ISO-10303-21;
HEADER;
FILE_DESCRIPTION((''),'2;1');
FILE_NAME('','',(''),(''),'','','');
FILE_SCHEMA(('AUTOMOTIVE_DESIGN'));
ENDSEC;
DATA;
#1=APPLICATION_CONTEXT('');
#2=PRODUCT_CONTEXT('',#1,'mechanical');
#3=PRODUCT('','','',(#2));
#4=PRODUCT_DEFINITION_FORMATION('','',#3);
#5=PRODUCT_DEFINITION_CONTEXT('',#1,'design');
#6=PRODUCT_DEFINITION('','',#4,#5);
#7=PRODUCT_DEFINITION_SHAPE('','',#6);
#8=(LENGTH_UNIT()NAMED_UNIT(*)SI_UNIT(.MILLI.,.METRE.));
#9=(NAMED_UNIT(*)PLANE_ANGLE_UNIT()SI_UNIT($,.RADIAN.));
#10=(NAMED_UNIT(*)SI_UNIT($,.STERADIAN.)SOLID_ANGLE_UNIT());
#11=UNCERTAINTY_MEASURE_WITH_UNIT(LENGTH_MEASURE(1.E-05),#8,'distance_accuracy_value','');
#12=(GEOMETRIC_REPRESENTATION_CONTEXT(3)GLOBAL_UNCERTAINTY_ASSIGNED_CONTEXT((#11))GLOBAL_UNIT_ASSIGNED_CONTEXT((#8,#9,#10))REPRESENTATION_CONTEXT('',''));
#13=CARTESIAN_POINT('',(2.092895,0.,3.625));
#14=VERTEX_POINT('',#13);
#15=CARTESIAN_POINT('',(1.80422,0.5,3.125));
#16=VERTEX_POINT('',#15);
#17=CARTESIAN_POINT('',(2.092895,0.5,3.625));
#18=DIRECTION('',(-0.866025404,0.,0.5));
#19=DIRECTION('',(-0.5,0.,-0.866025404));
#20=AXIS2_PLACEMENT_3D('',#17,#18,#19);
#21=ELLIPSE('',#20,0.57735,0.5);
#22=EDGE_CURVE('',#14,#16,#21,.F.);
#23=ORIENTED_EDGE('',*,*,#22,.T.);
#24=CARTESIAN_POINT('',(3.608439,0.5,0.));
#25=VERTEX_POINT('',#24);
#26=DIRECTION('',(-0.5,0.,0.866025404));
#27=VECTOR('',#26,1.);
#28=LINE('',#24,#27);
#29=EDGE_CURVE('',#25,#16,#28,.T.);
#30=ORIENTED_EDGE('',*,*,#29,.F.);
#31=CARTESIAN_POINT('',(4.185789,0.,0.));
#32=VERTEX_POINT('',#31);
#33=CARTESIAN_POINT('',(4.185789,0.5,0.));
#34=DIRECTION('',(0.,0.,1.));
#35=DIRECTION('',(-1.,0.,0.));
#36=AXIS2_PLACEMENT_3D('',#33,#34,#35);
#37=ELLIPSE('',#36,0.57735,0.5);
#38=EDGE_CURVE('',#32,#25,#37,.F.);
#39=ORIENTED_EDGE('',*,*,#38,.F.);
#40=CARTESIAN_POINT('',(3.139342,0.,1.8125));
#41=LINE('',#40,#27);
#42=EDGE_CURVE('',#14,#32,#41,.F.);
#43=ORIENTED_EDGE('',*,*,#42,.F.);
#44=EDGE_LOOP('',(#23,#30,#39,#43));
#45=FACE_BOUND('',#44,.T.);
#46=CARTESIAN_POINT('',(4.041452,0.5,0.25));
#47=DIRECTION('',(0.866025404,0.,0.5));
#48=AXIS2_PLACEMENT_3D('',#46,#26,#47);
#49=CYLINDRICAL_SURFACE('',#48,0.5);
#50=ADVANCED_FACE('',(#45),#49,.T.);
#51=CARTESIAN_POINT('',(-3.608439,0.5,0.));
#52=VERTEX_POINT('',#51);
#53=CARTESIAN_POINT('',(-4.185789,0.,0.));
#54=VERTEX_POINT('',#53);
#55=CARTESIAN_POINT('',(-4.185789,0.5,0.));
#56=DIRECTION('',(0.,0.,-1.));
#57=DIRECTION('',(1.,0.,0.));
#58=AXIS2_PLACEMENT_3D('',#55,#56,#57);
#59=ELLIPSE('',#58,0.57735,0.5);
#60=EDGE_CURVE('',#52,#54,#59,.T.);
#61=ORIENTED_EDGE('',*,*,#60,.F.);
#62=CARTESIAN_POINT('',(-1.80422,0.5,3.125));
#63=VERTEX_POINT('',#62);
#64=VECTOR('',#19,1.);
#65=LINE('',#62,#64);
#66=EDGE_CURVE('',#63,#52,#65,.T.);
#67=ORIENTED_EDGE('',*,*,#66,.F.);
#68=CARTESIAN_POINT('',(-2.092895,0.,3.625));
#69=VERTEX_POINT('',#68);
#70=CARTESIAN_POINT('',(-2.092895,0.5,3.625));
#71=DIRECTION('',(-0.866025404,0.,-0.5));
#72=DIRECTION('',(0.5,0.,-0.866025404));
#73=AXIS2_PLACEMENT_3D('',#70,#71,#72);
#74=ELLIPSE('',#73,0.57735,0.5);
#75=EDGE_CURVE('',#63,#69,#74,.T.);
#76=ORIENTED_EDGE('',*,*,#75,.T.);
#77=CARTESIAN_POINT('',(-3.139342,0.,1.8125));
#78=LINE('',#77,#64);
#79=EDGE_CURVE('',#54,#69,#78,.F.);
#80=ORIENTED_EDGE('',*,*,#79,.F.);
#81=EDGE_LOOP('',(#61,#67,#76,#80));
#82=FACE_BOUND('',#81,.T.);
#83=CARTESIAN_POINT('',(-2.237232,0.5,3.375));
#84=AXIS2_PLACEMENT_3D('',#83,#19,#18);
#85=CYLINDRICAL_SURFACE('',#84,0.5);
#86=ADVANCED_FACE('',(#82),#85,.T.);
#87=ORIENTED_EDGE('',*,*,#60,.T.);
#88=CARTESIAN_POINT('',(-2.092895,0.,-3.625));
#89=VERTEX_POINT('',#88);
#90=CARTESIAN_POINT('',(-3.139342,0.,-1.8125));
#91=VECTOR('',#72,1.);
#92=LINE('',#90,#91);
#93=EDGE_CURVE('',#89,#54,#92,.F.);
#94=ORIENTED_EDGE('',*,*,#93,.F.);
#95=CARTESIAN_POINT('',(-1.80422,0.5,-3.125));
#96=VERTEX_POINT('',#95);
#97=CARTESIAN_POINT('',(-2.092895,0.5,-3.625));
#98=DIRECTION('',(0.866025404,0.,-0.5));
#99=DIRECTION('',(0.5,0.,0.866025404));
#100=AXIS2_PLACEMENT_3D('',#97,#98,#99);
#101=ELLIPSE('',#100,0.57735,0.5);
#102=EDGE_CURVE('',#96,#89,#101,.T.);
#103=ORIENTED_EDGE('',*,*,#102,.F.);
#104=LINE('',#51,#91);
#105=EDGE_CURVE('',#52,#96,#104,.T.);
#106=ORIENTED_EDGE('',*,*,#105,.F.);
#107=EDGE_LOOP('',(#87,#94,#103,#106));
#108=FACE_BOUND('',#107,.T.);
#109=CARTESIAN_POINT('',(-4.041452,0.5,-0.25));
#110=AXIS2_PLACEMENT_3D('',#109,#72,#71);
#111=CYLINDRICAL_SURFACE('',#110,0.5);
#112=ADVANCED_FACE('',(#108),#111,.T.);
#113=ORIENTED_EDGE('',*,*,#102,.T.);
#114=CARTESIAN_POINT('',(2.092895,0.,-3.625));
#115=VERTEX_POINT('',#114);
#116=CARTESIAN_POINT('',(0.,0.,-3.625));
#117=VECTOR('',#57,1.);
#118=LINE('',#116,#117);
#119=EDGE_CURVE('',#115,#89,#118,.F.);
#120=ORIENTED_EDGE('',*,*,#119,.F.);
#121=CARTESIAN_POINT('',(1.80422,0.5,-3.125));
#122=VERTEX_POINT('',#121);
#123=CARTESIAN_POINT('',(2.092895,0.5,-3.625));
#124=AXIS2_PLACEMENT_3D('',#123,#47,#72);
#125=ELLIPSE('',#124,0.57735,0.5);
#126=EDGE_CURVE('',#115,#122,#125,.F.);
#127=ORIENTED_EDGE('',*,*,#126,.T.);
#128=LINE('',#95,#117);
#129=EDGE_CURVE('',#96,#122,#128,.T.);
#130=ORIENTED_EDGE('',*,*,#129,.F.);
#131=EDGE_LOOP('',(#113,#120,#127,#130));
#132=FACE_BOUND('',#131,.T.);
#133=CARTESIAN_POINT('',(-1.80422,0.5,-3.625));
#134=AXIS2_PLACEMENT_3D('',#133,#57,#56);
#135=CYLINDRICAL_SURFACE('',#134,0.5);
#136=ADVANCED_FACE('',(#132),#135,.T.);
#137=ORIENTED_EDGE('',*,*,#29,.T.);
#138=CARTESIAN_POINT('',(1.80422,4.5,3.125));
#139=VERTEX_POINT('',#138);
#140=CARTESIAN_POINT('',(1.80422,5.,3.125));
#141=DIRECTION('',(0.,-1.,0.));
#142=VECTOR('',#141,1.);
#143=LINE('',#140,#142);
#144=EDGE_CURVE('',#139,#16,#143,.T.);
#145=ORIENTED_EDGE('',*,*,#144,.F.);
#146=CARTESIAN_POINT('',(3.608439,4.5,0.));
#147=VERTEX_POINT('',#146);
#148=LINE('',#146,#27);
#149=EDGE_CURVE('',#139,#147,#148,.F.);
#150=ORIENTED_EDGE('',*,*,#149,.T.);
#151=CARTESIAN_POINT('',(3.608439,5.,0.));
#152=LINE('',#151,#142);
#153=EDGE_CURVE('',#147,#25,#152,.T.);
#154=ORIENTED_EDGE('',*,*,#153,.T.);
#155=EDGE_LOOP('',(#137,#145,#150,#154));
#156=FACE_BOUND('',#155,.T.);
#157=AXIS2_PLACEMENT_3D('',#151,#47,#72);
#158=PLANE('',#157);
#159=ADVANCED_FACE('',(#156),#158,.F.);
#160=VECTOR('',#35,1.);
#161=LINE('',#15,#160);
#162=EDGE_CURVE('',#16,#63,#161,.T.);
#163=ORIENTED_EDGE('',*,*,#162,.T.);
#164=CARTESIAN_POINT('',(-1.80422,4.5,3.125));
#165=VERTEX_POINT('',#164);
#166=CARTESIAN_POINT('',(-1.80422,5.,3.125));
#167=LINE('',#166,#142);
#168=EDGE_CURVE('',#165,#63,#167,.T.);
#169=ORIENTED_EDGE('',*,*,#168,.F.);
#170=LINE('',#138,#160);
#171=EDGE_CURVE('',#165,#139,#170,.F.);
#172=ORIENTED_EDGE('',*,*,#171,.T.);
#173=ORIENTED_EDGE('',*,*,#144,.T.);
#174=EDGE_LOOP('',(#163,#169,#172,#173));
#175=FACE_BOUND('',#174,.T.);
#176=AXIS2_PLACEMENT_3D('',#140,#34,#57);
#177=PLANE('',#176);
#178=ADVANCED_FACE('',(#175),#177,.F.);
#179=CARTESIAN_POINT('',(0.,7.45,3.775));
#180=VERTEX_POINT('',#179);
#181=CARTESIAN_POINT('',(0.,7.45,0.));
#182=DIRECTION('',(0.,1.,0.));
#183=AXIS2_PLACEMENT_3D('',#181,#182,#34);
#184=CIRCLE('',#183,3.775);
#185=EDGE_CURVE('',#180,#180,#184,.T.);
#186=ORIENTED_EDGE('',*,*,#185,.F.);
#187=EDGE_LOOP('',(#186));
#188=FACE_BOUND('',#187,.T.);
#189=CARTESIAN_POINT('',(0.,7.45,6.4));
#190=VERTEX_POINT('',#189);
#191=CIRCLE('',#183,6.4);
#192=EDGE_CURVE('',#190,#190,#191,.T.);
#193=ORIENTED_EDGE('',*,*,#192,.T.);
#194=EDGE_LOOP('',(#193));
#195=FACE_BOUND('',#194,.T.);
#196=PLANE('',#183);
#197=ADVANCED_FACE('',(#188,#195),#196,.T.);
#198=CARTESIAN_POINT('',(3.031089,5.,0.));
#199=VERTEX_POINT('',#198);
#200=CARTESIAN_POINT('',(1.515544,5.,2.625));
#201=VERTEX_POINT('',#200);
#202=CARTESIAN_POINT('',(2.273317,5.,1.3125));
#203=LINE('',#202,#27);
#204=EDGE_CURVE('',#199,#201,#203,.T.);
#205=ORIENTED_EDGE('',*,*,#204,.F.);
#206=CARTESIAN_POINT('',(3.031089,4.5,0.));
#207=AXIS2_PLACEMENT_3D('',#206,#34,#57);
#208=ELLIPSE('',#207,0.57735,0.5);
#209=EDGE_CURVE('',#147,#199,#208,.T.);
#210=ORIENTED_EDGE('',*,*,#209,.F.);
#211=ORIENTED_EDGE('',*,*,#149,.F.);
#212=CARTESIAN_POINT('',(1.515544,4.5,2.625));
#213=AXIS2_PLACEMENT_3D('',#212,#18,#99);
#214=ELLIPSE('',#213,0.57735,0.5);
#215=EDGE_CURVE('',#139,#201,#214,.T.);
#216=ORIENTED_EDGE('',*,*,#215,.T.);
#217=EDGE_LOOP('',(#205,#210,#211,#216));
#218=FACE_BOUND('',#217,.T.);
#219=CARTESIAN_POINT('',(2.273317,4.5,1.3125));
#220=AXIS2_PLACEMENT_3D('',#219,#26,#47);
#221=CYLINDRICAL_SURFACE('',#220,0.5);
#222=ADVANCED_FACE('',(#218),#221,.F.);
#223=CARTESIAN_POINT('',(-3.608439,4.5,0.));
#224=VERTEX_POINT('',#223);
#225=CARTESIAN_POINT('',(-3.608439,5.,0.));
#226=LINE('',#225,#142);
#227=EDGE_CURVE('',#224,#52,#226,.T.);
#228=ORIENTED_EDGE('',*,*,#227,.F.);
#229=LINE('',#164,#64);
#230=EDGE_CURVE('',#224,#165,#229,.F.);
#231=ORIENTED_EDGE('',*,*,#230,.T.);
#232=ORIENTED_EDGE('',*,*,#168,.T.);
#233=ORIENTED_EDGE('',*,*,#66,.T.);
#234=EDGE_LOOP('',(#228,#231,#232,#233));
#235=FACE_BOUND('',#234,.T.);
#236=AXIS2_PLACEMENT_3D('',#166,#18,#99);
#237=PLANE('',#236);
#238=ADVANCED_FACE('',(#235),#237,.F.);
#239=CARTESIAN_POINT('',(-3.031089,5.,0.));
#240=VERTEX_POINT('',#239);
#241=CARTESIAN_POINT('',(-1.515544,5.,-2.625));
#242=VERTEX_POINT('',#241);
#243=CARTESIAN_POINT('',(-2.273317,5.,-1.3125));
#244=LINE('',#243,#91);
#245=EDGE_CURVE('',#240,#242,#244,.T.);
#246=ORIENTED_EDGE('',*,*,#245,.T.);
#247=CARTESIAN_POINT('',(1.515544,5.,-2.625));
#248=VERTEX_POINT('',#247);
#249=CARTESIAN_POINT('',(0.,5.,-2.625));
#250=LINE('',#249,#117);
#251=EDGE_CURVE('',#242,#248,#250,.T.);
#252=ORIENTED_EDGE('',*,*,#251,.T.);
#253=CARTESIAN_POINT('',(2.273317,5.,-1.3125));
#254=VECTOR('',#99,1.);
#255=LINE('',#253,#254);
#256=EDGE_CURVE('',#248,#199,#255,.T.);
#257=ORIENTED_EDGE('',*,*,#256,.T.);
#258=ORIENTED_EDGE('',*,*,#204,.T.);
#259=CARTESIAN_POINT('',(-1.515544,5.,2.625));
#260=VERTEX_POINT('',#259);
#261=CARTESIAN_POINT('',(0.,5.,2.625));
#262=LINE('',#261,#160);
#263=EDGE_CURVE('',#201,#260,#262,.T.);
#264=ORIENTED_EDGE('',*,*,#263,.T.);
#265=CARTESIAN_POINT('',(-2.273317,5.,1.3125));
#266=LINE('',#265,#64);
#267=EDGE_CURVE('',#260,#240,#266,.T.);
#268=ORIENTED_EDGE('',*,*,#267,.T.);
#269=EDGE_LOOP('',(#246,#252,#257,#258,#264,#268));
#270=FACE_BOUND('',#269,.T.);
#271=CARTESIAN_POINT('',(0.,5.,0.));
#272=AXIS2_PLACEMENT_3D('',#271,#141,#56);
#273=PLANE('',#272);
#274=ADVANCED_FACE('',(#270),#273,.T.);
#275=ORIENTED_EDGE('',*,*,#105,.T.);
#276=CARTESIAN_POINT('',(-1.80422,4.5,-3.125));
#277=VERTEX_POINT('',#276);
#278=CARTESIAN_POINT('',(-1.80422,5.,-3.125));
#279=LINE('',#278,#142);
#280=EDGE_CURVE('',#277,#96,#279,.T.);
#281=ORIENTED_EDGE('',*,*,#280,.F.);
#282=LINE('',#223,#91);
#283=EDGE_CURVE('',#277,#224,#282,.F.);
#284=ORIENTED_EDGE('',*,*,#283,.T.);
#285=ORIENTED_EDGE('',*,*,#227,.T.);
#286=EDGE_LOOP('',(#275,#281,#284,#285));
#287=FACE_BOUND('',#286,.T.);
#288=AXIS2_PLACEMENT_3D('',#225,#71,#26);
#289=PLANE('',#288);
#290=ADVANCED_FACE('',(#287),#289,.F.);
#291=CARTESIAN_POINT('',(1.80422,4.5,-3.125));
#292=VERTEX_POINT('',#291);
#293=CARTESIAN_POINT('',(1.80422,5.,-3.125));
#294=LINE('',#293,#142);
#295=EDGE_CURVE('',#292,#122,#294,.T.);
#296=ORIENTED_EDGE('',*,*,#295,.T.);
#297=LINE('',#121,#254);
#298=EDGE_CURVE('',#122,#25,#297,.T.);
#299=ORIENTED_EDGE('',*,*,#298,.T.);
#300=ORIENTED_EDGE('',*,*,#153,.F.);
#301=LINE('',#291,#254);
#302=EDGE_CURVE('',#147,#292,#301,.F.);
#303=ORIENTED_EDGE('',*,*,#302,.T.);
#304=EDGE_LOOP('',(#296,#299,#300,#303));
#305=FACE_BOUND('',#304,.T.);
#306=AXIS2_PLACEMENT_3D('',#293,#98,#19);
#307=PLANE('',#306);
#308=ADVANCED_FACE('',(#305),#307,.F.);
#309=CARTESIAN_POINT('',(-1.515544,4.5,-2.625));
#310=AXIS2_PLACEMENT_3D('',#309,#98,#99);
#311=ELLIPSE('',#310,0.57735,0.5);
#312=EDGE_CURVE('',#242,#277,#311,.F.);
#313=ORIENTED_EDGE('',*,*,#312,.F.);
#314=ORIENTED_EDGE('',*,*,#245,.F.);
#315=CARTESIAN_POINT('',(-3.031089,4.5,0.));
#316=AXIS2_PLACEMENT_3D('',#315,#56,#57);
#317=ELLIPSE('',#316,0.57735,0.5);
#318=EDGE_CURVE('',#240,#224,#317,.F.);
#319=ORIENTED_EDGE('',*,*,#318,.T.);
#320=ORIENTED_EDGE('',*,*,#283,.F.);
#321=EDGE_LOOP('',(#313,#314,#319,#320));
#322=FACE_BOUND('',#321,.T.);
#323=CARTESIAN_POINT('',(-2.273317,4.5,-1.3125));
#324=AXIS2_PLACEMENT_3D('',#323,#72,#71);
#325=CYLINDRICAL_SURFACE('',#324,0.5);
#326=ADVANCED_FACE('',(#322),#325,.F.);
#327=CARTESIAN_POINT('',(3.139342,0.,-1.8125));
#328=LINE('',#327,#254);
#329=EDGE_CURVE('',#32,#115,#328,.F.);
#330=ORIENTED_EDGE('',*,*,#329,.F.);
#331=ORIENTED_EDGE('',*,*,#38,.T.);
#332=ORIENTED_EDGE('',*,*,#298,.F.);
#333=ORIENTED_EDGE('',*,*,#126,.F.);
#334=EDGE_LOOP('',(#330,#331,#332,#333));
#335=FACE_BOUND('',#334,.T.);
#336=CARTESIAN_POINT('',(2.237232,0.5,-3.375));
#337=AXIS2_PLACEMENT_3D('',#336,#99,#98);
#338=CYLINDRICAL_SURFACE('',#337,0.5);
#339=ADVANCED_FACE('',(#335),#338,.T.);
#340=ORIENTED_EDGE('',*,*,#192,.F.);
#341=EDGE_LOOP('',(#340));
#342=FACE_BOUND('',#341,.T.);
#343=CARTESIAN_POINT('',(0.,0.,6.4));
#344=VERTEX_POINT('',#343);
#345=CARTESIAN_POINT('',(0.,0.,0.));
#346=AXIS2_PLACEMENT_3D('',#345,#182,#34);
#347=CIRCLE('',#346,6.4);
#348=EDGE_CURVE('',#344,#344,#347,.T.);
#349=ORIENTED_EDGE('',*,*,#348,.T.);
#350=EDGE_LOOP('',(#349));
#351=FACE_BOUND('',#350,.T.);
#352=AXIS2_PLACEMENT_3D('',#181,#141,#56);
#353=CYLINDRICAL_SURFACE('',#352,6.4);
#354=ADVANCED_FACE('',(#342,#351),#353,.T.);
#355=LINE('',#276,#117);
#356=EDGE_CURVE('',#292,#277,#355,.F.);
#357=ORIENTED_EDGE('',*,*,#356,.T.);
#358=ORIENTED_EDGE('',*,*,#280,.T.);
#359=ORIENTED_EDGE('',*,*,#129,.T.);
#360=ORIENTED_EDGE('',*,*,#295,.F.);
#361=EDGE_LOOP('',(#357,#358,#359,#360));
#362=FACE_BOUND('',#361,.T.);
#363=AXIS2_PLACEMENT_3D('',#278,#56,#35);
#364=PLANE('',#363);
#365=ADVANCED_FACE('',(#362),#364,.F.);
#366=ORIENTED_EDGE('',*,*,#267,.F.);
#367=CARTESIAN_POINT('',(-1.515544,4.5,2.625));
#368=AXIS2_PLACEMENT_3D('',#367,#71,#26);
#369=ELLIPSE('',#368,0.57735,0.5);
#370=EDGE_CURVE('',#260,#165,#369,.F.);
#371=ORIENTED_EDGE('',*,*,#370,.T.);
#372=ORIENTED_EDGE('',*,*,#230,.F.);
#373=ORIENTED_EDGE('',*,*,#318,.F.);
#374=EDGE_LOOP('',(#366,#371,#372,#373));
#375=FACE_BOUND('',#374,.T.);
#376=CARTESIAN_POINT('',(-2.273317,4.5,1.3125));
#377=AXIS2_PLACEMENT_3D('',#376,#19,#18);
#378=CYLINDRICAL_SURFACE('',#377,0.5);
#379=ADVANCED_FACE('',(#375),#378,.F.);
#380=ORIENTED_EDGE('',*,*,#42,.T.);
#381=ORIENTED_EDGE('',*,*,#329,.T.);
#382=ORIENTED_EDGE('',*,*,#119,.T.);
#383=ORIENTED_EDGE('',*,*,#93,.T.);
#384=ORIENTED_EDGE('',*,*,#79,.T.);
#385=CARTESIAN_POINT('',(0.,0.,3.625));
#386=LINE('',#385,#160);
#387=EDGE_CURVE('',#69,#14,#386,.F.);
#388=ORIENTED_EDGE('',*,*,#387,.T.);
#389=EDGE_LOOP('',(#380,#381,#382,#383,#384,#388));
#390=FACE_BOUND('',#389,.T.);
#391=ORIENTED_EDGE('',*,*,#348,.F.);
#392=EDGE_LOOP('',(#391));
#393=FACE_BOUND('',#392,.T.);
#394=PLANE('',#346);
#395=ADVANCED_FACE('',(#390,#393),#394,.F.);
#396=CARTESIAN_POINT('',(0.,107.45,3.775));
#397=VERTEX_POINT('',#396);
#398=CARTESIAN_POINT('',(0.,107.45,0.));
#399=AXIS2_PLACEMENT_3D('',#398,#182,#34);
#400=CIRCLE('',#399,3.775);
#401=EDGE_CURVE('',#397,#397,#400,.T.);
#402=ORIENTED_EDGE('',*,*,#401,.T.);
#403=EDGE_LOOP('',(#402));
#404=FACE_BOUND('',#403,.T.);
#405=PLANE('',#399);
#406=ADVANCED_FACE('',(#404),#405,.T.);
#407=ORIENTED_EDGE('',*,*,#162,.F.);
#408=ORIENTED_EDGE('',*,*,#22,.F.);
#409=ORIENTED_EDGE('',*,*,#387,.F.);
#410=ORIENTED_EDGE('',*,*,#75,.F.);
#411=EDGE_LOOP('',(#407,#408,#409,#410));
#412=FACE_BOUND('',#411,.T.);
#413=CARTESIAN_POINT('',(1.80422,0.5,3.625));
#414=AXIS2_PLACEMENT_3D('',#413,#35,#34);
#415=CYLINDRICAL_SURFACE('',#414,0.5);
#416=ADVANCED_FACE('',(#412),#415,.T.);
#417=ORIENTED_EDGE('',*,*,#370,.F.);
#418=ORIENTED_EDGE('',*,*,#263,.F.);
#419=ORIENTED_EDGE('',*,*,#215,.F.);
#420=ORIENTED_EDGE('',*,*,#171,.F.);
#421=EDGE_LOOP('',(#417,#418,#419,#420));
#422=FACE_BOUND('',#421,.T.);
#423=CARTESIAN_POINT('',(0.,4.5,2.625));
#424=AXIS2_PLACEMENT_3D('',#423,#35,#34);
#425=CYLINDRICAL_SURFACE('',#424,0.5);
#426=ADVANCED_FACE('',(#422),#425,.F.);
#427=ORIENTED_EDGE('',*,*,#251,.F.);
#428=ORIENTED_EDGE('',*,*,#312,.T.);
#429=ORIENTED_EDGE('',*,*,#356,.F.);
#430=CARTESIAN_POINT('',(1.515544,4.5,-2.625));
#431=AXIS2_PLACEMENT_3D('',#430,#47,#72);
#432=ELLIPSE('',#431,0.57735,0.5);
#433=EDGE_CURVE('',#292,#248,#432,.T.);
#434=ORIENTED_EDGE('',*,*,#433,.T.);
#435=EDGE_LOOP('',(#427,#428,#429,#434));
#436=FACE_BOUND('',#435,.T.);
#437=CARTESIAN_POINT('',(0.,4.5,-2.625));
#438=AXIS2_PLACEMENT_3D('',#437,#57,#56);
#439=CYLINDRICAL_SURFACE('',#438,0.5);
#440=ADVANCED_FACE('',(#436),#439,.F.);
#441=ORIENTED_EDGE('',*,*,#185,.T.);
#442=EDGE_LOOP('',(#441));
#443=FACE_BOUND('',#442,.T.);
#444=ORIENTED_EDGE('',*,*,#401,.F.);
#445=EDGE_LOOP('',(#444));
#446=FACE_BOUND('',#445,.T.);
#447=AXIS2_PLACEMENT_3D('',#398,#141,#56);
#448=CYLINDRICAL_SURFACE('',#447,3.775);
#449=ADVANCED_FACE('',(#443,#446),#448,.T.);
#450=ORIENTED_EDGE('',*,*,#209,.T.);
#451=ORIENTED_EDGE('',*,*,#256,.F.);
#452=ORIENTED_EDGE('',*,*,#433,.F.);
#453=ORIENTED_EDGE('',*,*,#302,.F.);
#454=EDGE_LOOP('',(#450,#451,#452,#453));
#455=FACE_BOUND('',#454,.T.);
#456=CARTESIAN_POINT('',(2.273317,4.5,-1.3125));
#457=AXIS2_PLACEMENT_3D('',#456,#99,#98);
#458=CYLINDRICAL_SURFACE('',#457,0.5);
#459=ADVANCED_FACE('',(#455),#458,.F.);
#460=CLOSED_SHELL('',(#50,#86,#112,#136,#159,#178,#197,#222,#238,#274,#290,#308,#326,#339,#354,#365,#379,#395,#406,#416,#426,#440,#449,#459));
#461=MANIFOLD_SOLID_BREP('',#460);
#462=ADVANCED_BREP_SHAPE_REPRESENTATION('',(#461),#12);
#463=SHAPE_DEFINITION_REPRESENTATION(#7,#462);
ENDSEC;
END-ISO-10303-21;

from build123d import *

# Parameters (mm, degrees)
SKETCH1_R           = 6.4
BOSS_EXTRUDE1_DEPTH = 7.45
SKETCH2_R           = 3.775
BOSS_EXTRUDE2_DEPTH = 100
CUT_EXTRUDE1_DEPTH  = 5
FILLET2_R           = 0.5
FILLET3_R           = 0.5


with BuildPart() as part:
    # Sketch1 → Boss-Extrude1 (new body)
    with BuildSketch(Plane(origin=(0, 0, 0), x_dir=(1, 0, 0), z_dir=(0, 1, 0))):
        Circle(SKETCH1_R)
    extrude(amount=BOSS_EXTRUDE1_DEPTH)

    # Sketch2 → Boss-Extrude2 (add)
    with BuildSketch(Plane(origin=(0, 7.45, 0), x_dir=(1, 0, 0), z_dir=(0, 1, 0))):
        Circle(SKETCH2_R)
    extrude(amount=BOSS_EXTRUDE2_DEPTH)

    # Sketch3 → Cut-Extrude1 (cut)
    with BuildSketch(Plane.XZ):
        Polygon((-3.608439182, 0), (-1.804219591, -3.125), (1.804219591, -3.125), (3.608439182, 0), (1.804219591, 3.125), (-1.804219591, 3.125), align=None)
    extrude(amount=-CUT_EXTRUDE1_DEPTH, mode=Mode.SUBTRACT)

    # Fillet2
    fillet2_edges = [part.edges().sort_by_distance(p)[0] for p in [
        (-2.706329387, 0, 1.5625),
        (-2.706329387, 0, -1.5625),
        (0, 0, -3.125),
        (2.706329387, 0, -1.5625),
        (2.706329387, 0, 1.5625),
        (0, 0, 3.125),
    ]]
    fillet(fillet2_edges, radius=FILLET2_R)

    # Fillet3
    fillet3_edges = [part.edges().sort_by_distance(p)[0] for p in [
        (-2.706329387, 5, 1.5625),
        (0, 5, 3.125),
        (2.706329387, 5, 1.5625),
        (2.706329387, 5, -1.5625),
        (0, 5, -3.125),
        (-2.706329387, 5, -1.5625),
    ]]
    fillet(fillet3_edges, radius=FILLET3_R)


solid = part.part
